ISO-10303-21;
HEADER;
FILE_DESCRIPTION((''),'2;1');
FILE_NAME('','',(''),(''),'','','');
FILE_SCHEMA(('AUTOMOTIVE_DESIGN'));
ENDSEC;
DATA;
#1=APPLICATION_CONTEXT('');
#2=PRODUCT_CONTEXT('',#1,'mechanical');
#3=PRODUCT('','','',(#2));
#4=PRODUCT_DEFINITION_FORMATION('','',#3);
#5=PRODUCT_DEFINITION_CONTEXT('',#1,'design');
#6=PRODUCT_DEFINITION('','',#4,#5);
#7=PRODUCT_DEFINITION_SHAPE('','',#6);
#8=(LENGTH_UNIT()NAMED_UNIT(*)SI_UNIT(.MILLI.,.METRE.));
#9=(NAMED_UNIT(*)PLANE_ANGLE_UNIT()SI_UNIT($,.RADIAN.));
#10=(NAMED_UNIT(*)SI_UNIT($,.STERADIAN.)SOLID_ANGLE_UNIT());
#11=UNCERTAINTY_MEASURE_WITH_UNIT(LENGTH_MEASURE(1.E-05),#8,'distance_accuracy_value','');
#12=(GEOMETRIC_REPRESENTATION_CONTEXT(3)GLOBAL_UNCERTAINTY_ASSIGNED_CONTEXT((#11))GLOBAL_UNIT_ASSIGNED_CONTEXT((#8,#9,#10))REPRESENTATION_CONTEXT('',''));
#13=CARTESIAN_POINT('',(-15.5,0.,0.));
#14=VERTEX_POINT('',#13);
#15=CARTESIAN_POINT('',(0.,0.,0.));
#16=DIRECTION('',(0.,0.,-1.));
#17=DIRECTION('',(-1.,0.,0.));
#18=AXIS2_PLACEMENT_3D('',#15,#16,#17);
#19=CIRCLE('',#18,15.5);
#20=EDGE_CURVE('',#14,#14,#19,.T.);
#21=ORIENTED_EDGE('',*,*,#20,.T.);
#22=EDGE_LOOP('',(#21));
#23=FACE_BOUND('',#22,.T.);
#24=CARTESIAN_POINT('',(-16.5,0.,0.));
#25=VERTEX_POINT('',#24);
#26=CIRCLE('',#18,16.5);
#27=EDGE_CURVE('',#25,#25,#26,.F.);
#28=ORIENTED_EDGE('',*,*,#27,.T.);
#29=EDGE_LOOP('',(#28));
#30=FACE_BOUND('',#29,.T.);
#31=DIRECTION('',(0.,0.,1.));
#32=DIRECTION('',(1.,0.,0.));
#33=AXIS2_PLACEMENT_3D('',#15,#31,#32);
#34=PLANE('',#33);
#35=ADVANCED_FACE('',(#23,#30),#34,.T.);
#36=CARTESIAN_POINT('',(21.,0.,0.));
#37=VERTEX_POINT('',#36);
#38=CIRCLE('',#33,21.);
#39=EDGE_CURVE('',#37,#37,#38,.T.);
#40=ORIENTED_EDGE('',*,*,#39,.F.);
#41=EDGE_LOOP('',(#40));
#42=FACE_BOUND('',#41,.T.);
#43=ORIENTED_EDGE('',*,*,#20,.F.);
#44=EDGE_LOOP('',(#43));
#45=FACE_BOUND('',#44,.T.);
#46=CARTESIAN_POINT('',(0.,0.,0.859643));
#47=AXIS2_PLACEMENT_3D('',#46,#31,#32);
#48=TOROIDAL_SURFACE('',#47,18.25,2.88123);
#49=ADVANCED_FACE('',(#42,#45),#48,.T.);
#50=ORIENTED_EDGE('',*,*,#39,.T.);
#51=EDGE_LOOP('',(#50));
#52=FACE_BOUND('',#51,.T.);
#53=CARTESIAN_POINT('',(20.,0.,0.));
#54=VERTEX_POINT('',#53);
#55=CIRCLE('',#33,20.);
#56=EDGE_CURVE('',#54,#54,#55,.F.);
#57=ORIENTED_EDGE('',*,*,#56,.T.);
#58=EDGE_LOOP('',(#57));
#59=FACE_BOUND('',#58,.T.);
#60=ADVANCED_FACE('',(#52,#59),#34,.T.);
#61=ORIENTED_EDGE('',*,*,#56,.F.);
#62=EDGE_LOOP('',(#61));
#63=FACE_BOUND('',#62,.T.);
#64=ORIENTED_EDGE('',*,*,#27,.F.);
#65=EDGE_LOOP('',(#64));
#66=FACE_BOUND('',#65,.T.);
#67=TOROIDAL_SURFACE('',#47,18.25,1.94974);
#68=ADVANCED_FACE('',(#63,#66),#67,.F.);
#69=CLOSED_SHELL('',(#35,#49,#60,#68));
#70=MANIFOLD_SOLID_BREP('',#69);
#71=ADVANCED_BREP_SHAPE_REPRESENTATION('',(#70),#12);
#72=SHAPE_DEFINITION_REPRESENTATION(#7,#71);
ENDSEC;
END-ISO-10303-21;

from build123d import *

# Parameters (mm, degrees)
SKETCH_1_R          = 21
SKETCH_1_R_2        = 15.5
EXTRUDE_1_DEPTH     = 2
CUT_EXTRUDE_START   = -2
SKETCH_3_R          = 21
CUT_EXTRUDE_1_DEPTH = 2


with BuildPart() as part:
    # 草图1 → 凸台-拉伸1 (new body)
    with BuildSketch(Plane.XY):
        Circle(SKETCH_1_R)
        Circle(SKETCH_1_R_2, mode=Mode.SUBTRACT)
    extrude(amount=EXTRUDE_1_DEPTH)

    # 草图2 → 旋转1 (revolve)
    with BuildSketch(Plane(origin=(0, 0, 0), x_dir=(1, 0, 0), z_dir=(0, 1, 0)), mode=Mode.PRIVATE) as revolve_1_sk:
        with BuildLine():
            Line((-21, 0), (-20, 0))
            ThreePointArc((-20, 0), (-18.25, 1.090097064), (-16.5, 0))
            Line((-16.5, 0), (-15.5, 0))
            ThreePointArc((-15.5, 0), (-18.25, 2.021587034), (-21, 0))
        make_face()
    revolve(revolve_1_sk.sketch.rotate(Axis((0, 0, 0), (0, 0, -1)), 180), axis=Axis((0, 0, 0), (0, 0, -1)))

    # 草图3 → 切除-拉伸1 (cut)
    with BuildSketch(Plane.XY.offset(2).offset(CUT_EXTRUDE_START)):
        Circle(SKETCH_3_R)
    extrude(amount=CUT_EXTRUDE_1_DEPTH, mode=Mode.SUBTRACT)


solid = part.part
